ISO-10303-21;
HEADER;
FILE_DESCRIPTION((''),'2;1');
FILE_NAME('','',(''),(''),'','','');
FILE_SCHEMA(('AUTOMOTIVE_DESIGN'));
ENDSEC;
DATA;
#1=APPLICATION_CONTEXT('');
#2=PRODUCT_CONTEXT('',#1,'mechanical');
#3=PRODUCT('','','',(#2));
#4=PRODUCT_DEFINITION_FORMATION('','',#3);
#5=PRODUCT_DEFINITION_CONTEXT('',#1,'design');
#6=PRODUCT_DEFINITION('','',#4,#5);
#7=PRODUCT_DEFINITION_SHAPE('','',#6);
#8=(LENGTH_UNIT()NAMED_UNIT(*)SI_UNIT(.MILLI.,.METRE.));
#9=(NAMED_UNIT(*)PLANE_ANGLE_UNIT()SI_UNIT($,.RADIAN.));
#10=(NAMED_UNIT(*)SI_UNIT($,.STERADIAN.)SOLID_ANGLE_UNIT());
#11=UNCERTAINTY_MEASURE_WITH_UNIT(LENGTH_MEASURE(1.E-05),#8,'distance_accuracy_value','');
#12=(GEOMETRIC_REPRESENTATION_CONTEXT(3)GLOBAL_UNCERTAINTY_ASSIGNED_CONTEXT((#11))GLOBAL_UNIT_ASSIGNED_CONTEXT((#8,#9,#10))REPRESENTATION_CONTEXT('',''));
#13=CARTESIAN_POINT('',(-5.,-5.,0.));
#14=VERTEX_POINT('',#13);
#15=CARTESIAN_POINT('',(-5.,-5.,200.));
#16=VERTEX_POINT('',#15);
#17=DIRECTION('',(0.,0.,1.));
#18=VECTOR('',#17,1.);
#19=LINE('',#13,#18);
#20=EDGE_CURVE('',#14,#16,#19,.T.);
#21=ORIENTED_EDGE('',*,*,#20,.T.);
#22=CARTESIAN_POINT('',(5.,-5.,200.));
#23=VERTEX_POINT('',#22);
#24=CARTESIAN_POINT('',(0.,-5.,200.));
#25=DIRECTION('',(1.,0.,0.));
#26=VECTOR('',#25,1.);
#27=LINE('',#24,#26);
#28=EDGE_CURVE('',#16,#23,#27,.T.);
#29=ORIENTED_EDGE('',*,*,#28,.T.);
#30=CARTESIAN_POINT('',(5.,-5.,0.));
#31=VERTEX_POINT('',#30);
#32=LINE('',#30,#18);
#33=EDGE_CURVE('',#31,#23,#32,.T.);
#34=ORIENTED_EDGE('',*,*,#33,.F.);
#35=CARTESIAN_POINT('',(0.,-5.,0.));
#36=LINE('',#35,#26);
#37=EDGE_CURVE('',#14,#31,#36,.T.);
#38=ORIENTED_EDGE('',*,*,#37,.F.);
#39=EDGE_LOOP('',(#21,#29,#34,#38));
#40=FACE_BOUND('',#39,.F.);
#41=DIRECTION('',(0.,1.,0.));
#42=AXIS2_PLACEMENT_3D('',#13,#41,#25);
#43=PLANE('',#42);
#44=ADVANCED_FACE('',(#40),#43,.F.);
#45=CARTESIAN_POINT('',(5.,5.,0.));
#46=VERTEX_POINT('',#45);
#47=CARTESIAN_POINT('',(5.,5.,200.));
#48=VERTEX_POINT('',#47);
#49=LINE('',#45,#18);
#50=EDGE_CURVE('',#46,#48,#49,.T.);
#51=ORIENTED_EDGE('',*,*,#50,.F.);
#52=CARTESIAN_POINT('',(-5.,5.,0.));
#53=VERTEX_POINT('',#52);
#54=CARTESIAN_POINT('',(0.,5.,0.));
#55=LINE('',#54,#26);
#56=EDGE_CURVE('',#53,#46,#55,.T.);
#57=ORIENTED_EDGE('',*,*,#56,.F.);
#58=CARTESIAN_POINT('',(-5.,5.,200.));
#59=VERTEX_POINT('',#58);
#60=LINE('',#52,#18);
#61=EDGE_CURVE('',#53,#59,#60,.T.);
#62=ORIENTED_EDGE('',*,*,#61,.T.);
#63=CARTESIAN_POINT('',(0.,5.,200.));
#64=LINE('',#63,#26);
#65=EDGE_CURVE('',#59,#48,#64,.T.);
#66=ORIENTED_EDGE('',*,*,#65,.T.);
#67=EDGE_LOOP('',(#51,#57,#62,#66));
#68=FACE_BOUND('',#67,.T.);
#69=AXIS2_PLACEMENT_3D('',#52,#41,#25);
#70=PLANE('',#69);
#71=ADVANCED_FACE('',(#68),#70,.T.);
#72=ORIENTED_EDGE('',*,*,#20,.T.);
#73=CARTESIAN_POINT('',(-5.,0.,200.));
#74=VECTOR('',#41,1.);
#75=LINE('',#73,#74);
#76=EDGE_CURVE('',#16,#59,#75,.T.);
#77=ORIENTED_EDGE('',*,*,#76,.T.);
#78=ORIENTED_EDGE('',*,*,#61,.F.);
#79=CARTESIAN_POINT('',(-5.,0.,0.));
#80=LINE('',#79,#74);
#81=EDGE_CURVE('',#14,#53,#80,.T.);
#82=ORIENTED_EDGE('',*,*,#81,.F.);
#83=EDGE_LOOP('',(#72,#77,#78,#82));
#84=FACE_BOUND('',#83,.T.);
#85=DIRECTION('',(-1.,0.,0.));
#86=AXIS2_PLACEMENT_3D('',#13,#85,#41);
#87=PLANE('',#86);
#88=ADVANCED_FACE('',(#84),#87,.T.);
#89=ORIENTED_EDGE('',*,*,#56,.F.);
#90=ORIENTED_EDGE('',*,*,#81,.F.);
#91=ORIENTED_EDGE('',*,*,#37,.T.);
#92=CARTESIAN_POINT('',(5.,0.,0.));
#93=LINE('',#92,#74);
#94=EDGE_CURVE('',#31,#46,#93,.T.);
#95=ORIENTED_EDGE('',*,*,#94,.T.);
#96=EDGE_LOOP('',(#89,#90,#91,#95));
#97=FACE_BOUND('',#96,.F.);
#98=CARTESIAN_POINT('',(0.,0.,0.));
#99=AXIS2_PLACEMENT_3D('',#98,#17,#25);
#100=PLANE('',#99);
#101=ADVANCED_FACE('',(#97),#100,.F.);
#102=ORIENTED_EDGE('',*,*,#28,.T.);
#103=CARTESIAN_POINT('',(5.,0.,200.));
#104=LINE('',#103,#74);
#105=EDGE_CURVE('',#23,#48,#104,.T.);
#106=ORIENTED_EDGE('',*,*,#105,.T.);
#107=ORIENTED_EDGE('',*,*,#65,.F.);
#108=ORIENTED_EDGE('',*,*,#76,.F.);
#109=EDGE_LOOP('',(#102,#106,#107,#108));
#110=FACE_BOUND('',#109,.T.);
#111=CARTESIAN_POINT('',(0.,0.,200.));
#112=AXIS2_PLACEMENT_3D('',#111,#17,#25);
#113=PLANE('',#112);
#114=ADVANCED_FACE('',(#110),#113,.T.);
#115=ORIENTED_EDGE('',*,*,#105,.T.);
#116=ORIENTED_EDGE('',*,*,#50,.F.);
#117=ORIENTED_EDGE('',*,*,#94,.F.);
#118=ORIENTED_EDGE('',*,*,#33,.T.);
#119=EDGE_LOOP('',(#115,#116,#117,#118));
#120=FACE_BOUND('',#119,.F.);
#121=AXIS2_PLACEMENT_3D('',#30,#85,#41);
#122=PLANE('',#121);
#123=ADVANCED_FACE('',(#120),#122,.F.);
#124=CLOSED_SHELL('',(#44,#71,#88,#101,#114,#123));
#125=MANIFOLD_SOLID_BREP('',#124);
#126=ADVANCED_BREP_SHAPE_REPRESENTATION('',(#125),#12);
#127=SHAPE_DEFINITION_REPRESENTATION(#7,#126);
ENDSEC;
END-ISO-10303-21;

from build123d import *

# Parameters (mm, degrees)
SKETCH_W  = 10
SKETCH_H  = 10
PAD_DEPTH = 200


with BuildPart() as part:
    # Sketch → Pad (new body)
    with BuildSketch(Plane.XY):
        Rectangle(SKETCH_W, SKETCH_H)
    extrude(amount=PAD_DEPTH)


solid = part.part
